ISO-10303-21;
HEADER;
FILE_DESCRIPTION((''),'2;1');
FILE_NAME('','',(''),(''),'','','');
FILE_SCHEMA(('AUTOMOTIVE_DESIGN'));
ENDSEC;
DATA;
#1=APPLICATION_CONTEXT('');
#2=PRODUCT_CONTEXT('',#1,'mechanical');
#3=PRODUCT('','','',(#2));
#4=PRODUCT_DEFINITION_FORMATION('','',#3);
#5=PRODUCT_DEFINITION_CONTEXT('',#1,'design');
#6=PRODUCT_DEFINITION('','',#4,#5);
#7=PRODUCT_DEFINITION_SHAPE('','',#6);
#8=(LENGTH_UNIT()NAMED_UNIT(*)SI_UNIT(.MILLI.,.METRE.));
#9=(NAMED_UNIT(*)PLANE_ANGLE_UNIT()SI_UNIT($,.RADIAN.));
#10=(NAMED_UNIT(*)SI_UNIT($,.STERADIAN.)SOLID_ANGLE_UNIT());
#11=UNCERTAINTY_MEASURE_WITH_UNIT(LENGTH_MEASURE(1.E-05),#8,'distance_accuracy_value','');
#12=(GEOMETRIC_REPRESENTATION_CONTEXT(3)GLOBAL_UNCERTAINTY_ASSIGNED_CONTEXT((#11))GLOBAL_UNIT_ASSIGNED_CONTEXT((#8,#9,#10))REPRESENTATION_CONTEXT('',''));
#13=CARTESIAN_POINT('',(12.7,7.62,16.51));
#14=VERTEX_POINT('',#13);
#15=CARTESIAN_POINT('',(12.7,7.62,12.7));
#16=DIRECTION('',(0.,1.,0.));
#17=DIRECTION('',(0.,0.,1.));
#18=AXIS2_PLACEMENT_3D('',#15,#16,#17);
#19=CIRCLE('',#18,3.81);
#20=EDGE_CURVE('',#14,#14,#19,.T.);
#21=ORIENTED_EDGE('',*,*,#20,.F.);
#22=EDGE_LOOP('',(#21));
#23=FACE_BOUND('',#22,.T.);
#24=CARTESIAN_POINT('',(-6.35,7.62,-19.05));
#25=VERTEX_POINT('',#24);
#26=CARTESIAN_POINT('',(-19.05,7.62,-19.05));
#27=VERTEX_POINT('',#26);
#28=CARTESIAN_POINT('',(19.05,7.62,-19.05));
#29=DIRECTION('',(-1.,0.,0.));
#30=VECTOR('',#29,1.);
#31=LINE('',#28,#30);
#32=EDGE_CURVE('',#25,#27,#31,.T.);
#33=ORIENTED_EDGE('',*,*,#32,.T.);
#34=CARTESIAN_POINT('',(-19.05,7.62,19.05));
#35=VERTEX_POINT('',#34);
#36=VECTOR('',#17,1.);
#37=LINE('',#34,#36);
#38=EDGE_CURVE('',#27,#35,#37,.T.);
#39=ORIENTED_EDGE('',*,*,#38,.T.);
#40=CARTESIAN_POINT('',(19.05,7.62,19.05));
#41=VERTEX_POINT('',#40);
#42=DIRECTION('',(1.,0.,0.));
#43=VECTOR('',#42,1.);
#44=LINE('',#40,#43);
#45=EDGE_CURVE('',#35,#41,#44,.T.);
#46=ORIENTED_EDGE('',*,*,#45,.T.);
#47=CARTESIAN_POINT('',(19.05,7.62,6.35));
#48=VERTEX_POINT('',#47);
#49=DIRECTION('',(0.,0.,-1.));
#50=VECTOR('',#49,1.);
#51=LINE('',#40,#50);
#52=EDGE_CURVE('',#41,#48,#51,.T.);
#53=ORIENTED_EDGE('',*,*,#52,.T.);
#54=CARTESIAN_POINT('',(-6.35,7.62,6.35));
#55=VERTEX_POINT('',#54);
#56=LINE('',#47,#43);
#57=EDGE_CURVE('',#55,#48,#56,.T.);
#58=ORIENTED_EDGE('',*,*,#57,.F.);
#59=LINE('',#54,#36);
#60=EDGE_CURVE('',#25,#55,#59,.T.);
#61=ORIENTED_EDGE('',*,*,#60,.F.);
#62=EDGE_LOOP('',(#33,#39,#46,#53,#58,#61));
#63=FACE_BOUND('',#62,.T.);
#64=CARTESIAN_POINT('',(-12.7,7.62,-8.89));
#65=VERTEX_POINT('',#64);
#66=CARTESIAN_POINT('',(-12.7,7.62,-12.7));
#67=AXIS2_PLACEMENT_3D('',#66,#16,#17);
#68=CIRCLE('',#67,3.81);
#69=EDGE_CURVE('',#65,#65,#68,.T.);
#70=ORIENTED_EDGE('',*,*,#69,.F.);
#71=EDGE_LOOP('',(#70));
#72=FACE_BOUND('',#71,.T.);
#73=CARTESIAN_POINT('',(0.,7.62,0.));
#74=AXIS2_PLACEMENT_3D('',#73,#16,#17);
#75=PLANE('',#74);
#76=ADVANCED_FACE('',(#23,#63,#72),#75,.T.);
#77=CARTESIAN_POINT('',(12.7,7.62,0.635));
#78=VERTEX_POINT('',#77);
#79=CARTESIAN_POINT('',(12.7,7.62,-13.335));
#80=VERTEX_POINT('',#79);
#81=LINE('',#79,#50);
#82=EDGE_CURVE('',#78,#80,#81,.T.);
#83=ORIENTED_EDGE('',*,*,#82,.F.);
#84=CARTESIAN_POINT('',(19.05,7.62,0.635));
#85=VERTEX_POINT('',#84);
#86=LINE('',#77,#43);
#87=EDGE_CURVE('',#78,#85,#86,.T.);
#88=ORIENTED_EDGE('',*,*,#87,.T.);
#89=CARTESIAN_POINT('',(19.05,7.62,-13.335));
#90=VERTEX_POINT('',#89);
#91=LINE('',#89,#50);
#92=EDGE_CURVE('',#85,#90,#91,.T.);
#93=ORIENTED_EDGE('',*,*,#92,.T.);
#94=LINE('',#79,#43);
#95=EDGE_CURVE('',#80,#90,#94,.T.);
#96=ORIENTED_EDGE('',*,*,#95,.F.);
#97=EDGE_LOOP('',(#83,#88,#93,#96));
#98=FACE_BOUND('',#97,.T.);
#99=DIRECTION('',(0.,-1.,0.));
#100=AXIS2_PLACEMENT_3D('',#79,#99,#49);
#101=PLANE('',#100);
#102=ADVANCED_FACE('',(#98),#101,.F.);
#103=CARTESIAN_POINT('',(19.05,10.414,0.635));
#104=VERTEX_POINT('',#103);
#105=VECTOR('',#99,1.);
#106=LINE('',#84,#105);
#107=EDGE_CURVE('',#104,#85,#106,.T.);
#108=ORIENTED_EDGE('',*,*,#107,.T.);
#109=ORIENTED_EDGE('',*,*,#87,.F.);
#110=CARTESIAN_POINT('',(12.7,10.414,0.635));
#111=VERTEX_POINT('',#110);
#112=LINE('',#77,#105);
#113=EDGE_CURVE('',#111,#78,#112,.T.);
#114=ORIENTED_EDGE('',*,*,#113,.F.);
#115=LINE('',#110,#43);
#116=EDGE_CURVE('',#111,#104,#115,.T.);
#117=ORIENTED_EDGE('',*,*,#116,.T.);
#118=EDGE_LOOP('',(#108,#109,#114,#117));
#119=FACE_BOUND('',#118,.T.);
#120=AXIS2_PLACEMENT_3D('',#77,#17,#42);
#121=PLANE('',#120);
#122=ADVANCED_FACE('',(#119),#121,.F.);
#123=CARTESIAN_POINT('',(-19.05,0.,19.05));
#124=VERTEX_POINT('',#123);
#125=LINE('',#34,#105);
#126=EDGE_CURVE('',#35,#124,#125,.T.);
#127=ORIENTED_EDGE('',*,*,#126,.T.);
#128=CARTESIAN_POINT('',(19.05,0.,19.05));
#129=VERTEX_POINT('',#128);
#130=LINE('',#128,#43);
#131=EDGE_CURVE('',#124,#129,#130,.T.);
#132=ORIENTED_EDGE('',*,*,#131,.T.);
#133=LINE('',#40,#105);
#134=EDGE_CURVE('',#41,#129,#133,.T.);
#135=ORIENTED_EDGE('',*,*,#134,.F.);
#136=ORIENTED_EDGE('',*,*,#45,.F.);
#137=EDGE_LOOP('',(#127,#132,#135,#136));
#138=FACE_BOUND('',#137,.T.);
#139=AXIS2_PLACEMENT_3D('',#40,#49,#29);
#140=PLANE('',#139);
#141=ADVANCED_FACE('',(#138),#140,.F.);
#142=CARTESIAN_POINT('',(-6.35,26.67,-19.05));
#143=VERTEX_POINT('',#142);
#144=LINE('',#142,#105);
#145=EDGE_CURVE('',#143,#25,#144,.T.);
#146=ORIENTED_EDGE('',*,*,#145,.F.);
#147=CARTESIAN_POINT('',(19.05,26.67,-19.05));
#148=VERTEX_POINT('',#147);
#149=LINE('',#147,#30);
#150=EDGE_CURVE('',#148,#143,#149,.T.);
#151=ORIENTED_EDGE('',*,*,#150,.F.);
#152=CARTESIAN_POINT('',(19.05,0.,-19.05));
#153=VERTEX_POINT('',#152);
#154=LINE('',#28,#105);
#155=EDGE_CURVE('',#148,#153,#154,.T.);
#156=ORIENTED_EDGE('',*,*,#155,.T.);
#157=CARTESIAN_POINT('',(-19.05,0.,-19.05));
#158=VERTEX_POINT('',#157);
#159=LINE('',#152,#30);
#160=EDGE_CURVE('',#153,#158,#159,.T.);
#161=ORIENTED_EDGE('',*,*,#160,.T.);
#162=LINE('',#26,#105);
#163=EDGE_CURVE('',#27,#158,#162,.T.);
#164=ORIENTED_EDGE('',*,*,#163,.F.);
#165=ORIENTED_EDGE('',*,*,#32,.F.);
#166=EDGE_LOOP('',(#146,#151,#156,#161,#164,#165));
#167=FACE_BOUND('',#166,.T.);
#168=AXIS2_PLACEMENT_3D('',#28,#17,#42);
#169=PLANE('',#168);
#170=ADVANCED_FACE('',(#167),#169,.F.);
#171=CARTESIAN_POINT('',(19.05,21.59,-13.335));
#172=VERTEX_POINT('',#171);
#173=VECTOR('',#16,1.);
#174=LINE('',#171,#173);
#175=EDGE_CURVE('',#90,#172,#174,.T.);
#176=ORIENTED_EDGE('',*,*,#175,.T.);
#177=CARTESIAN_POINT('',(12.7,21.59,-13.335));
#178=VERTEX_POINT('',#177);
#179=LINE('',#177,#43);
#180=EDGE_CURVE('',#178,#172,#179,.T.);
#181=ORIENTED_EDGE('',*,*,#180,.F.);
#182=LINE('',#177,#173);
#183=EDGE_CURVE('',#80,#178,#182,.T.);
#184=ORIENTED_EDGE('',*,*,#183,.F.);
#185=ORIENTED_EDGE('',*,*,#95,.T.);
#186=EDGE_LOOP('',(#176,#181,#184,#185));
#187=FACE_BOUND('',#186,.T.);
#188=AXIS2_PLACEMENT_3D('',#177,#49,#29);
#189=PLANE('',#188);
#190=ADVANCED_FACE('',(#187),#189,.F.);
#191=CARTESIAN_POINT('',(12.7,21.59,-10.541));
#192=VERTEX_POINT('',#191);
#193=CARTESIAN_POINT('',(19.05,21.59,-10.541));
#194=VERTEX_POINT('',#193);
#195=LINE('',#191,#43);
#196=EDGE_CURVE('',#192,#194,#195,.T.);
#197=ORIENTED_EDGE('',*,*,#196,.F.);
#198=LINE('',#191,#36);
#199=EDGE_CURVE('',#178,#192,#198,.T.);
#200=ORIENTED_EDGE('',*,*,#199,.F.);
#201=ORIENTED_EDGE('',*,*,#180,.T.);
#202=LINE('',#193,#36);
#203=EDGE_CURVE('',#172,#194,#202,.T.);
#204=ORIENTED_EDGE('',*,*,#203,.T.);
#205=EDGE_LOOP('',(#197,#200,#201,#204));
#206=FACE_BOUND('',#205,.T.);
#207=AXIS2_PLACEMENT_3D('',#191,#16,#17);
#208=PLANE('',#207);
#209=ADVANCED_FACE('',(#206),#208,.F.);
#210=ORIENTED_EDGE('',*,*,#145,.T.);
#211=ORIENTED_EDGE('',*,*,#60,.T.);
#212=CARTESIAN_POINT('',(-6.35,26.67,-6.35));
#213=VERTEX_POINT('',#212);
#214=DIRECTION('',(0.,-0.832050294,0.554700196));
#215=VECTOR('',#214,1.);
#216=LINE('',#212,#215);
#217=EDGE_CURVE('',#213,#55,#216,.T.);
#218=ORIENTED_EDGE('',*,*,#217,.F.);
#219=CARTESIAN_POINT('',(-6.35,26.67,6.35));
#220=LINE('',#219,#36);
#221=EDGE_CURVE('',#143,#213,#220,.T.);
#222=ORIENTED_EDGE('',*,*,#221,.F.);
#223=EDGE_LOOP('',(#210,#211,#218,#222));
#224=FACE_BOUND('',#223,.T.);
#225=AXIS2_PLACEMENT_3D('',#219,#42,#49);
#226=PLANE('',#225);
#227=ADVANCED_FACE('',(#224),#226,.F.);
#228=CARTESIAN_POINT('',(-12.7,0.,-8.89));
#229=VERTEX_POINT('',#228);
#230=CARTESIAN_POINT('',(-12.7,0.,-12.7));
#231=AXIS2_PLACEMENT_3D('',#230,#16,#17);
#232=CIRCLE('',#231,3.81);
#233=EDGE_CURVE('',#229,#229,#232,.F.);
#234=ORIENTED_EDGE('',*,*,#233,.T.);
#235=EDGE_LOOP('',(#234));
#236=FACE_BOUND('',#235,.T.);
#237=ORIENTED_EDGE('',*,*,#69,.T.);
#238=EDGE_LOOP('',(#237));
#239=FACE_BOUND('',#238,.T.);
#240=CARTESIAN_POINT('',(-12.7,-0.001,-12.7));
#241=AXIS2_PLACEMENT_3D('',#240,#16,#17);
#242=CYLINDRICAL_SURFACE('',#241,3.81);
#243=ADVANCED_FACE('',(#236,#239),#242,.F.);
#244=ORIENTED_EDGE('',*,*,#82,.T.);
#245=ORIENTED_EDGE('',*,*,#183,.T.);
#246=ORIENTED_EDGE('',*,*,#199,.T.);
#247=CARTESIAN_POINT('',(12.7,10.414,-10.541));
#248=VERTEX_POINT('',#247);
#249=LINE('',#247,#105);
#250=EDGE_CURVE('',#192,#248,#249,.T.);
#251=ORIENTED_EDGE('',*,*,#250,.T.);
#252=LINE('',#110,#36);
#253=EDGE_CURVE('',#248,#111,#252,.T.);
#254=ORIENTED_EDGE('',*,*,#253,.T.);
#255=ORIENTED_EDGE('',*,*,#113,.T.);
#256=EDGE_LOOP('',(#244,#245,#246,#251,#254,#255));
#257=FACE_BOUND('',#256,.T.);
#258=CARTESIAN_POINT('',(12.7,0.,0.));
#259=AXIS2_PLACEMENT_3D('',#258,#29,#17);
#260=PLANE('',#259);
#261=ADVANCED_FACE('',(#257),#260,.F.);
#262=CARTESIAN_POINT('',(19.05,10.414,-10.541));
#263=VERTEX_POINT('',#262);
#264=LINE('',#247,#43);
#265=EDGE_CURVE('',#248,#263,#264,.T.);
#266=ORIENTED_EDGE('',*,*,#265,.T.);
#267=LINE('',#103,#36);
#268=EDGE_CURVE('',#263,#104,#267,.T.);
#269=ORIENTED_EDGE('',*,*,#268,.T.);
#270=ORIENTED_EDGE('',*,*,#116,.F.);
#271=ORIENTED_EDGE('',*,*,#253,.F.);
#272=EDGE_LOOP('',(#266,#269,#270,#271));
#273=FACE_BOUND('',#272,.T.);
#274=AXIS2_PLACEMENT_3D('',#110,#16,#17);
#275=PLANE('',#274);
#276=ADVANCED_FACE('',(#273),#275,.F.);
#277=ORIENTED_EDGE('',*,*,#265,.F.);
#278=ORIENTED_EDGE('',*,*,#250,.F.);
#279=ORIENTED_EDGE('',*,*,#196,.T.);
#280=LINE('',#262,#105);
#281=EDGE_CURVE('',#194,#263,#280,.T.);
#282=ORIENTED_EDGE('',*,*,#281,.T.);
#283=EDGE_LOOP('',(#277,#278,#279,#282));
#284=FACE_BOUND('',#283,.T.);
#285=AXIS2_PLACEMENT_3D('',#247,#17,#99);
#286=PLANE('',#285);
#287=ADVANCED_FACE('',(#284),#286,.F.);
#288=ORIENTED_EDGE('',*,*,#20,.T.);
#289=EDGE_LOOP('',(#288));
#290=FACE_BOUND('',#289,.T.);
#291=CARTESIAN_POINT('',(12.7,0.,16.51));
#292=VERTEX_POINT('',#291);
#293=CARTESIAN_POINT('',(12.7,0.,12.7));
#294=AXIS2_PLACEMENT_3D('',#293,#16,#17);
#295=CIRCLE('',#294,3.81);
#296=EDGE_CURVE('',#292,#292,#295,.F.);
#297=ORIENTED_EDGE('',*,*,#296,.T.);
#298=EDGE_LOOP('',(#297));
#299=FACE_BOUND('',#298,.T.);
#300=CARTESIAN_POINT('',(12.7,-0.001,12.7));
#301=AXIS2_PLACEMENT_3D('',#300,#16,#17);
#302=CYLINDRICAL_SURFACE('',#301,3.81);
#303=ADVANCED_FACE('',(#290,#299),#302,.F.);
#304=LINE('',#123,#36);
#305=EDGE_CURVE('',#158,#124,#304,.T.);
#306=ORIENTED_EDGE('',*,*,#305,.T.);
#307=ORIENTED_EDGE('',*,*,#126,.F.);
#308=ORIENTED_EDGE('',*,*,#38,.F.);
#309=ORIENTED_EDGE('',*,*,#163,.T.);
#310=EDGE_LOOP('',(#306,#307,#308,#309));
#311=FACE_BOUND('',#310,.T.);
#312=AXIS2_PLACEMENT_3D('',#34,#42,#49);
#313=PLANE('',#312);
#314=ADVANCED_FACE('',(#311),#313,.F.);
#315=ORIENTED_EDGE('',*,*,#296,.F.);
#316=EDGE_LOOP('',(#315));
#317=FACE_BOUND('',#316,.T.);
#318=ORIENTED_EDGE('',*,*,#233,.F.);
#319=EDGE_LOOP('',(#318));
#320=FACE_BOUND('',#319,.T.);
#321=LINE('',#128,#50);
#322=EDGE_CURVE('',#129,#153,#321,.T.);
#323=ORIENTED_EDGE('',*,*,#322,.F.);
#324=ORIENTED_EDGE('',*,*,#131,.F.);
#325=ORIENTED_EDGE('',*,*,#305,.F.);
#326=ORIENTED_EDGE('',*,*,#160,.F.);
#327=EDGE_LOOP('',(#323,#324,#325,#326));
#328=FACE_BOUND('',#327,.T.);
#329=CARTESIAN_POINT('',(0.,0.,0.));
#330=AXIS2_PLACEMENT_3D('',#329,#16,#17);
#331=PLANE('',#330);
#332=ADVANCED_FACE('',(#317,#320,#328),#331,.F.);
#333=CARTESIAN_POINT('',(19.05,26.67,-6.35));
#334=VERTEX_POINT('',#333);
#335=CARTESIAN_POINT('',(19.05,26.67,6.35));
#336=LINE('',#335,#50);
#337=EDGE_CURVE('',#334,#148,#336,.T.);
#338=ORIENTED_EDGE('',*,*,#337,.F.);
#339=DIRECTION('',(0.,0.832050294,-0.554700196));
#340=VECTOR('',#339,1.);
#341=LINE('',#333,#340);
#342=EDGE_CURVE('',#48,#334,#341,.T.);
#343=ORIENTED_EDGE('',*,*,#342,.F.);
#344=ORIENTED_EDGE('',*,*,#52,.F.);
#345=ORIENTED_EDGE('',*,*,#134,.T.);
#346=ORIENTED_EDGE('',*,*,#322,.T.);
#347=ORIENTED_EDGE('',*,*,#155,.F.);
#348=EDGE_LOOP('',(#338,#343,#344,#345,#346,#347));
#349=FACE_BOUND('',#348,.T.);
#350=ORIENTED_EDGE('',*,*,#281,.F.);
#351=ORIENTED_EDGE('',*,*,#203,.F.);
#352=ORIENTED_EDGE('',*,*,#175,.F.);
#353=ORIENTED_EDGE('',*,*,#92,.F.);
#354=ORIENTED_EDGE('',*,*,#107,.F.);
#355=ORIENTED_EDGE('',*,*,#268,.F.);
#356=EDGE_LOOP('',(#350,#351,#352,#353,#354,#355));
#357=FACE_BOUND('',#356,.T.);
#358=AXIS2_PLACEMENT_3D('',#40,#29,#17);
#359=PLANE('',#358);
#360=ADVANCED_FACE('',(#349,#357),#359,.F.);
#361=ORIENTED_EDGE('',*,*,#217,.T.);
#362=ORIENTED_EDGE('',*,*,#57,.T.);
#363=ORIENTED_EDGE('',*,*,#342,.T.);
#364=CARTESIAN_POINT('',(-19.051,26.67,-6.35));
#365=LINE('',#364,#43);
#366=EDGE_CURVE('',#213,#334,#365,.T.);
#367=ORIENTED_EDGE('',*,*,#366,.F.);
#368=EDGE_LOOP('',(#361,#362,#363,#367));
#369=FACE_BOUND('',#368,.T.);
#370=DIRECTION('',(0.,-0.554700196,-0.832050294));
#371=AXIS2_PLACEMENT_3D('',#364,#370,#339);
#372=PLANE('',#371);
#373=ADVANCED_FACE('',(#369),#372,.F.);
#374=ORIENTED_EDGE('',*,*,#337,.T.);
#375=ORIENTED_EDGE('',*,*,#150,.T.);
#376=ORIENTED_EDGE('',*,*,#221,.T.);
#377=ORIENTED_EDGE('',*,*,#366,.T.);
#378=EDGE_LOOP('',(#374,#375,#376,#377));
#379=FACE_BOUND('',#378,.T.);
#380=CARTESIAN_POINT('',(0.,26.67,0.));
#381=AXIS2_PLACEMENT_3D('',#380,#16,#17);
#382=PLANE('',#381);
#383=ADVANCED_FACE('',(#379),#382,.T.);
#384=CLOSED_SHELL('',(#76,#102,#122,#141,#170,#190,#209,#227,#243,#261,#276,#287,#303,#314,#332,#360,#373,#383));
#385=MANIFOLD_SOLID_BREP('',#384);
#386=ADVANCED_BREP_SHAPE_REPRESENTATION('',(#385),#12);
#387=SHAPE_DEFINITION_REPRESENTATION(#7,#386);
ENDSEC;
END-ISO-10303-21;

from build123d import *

# Parameters (mm, degrees)
SKETCH1_W           = 38.1
SKETCH1_H           = 38.1
BOSS_EXTRUDE1_DEPTH = 7.62
SKETCH2_W           = 25.4
SKETCH2_H           = 25.4
BOSS_EXTRUDE2_DEPTH = 19.05
CUT_EXTRUDE1_REACH  = 9.62
SKETCH3_R           = 3.81
CUT_EXTRUDE2_DEPTH  = 6.35
CUT_EXTRUDE3_REACH  = 40.1


with BuildPart() as part:
    # Sketch1 → Boss-Extrude1 (new body)
    with BuildSketch(Plane(origin=(0, 0, 0), x_dir=(1, 0, 0), z_dir=(0, 1, 0))):
        Rectangle(SKETCH1_W, SKETCH1_H)
    extrude(amount=BOSS_EXTRUDE1_DEPTH)

    # Sketch2 → Boss-Extrude2 (add)
    with BuildSketch(Plane(origin=(0, 7.62, 0), x_dir=(1, 0, 0), z_dir=(0, 1, 0))):
        with Locations((6.35, 6.35)):
            Rectangle(SKETCH2_W, SKETCH2_H)
    extrude(amount=BOSS_EXTRUDE2_DEPTH)

    # Sketch3 → Cut-Extrude1 (cut, up to next)
    with BuildSketch(Plane(origin=(0, 7.62, 0), x_dir=(1, 0, 0), z_dir=(0, 1, 0)), mode=Mode.PRIVATE) as cut_extrude1_sk1:
        with Locations((-12.7, 12.7)):
            Circle(SKETCH3_R)
    cut_extrude1_tool1 = extrude(cut_extrude1_sk1.sketch, amount=-CUT_EXTRUDE1_REACH, mode=Mode.PRIVATE) & part.part
    add(cut_extrude1_tool1.solids().sort_by_distance((-12.7, 7.62, -12.7))[0], mode=Mode.SUBTRACT)
    # Sketch3 → Cut-Extrude1 (cut, up to next)
    with BuildSketch(Plane(origin=(0, 7.62, 0), x_dir=(1, 0, 0), z_dir=(0, 1, 0)), mode=Mode.PRIVATE) as cut_extrude1_sk2:
        with Locations((12.7, -12.7)):
            Circle(SKETCH3_R)
    cut_extrude1_tool2 = extrude(cut_extrude1_sk2.sketch, amount=-CUT_EXTRUDE1_REACH, mode=Mode.PRIVATE) & part.part
    add(cut_extrude1_tool2.solids().sort_by_distance((12.7, 7.62, 12.7))[0], mode=Mode.SUBTRACT)

    # Sketch4 → Cut-Extrude2 (cut)
    with BuildSketch(Plane(origin=(19.05, 0, 0), x_dir=(0, 0, -1), z_dir=(1, 0, 0))):
        Polygon((10.541, 21.59), (13.335, 21.59), (13.335, 7.62), (-0.635, 7.62), (-0.635, 10.414), (10.541, 10.414), align=None)
    extrude(amount=-CUT_EXTRUDE2_DEPTH, mode=Mode.SUBTRACT)

    # Sketch5 → Cut-Extrude3 (cut, up to next)
    with BuildSketch(Plane(origin=(19.05, 0, 0), x_dir=(0, 0, -1), z_dir=(1, 0, 0)), mode=Mode.PRIVATE) as cut_extrude3_sk1:
        Polygon((6.35, 26.67), (-6.35, 7.62), (-6.35, 26.67), align=None)
    cut_extrude3_tool1 = extrude(cut_extrude3_sk1.sketch, amount=-CUT_EXTRUDE3_REACH, mode=Mode.PRIVATE) & part.part
    add(cut_extrude3_tool1.solids().sort_by_distance((19.05, 20.32, 2.116667))[0], mode=Mode.SUBTRACT)


solid = part.part
